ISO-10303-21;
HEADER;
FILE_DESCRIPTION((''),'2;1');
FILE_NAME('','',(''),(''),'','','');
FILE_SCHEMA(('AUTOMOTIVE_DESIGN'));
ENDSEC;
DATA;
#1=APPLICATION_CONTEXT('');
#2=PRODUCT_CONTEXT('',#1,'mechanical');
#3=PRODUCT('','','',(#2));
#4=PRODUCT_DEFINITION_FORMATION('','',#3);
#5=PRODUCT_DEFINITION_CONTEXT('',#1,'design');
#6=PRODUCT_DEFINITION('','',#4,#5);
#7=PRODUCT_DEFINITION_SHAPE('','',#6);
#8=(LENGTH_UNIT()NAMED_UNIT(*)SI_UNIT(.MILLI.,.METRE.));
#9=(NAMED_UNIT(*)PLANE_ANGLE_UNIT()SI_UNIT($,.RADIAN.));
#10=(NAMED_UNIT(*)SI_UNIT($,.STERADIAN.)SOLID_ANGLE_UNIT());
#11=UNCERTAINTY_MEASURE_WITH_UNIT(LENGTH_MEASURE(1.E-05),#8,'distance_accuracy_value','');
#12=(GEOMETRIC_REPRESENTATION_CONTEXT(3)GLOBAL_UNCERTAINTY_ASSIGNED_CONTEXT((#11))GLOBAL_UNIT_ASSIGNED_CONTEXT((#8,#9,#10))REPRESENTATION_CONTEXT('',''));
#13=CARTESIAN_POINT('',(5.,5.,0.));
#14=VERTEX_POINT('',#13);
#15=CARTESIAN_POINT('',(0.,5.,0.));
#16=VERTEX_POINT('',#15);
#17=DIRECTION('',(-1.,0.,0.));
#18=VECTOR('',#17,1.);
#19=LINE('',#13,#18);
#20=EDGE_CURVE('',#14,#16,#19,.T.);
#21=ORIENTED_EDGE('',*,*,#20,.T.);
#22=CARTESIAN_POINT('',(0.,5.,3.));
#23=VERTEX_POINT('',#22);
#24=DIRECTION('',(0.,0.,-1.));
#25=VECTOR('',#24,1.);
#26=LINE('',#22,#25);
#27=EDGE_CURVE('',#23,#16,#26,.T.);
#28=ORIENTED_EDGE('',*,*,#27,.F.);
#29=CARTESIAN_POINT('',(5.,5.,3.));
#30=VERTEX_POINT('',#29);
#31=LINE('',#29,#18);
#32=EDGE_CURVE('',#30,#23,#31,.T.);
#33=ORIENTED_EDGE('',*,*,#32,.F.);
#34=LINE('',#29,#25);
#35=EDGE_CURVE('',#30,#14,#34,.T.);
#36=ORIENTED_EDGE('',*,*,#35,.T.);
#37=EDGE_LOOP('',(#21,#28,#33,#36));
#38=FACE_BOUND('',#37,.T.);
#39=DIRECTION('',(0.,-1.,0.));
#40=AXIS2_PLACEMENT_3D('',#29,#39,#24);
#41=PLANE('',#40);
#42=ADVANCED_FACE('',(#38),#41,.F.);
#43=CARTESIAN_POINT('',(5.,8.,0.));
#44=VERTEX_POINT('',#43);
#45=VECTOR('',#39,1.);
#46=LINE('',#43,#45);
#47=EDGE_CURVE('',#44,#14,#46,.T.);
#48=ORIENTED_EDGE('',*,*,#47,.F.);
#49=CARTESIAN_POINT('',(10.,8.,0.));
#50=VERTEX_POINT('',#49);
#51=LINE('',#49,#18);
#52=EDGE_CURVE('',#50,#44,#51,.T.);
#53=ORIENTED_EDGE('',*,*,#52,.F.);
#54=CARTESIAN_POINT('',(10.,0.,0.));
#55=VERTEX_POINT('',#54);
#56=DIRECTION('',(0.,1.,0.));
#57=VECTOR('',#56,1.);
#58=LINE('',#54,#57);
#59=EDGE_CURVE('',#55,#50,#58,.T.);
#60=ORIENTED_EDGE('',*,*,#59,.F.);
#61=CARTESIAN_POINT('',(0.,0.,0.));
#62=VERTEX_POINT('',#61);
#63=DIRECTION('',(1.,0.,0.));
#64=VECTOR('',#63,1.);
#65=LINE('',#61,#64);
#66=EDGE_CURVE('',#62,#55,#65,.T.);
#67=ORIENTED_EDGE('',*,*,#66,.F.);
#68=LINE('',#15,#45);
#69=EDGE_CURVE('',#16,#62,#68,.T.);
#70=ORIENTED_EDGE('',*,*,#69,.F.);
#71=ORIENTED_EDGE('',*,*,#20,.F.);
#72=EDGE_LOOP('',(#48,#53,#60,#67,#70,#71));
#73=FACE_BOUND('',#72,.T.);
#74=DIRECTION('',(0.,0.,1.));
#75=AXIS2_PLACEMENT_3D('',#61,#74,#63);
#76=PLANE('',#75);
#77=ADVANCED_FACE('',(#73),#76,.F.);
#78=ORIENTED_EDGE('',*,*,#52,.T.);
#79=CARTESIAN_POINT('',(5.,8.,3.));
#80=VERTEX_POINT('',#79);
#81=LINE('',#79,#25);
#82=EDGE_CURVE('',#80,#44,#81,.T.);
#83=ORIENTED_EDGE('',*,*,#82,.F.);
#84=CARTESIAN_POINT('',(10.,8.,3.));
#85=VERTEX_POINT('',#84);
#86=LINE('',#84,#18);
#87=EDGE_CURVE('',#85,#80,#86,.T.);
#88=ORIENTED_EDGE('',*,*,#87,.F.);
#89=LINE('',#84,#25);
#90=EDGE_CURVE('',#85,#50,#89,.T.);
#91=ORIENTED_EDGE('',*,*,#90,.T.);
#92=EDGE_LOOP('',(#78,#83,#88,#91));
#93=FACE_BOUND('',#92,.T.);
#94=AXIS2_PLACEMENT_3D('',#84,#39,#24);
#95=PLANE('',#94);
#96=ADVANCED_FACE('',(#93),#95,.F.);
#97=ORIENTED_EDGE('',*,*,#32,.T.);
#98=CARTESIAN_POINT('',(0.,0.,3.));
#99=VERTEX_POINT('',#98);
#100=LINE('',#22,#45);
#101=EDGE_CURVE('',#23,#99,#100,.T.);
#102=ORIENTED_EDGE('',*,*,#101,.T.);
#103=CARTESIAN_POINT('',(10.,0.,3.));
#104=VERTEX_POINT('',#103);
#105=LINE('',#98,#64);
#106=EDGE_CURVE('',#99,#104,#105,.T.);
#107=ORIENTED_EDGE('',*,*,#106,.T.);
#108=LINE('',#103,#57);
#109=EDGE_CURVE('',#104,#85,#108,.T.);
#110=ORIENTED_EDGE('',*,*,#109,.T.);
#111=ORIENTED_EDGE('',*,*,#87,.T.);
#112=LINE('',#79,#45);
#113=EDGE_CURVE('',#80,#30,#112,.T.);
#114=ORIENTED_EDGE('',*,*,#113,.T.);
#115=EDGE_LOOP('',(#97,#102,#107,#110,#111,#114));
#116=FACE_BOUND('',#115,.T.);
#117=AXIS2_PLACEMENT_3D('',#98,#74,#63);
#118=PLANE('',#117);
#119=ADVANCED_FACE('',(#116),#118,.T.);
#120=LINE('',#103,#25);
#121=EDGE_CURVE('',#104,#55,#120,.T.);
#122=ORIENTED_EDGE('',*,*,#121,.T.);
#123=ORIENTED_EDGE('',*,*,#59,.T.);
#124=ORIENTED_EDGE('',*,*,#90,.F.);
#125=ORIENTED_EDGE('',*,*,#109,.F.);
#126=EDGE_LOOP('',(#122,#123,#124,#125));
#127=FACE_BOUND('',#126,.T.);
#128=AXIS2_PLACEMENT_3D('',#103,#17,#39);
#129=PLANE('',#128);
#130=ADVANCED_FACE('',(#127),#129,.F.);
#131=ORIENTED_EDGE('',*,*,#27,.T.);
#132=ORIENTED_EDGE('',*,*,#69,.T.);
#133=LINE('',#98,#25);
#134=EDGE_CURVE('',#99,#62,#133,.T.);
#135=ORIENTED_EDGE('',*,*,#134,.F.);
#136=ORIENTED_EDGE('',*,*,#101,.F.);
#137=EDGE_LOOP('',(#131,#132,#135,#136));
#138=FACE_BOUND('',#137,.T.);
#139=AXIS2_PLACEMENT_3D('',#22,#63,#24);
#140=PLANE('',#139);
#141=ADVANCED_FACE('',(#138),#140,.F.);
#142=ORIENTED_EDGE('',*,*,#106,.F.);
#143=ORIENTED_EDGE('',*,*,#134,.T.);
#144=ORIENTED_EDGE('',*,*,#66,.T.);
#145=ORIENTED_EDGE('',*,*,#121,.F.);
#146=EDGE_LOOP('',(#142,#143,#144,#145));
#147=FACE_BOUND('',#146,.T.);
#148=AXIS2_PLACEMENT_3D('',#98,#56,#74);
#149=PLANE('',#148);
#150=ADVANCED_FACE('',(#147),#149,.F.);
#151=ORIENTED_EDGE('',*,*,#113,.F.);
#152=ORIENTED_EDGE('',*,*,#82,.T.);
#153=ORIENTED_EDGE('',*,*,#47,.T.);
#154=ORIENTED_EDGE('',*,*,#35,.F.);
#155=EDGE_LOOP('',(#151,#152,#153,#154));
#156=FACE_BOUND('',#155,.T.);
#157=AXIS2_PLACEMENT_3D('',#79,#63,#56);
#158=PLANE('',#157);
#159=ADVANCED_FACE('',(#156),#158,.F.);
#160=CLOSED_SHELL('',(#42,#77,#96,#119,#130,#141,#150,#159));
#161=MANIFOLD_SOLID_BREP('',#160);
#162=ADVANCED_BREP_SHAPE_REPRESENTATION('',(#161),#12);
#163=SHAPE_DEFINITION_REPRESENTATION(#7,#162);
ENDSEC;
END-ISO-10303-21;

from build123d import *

# Parameters (mm, degrees)
SALIENTE_EXTRUIR1_DEPTH = 3


with BuildPart() as part:
    # Croquis1 → Saliente-Extruir1 (new body)
    with BuildSketch(Plane.XY):
        Polygon((0, 0), (10, 0), (10, 8), (5, 8), (5, 5), (0, 5), align=None)
    extrude(amount=SALIENTE_EXTRUIR1_DEPTH)


solid = part.part
